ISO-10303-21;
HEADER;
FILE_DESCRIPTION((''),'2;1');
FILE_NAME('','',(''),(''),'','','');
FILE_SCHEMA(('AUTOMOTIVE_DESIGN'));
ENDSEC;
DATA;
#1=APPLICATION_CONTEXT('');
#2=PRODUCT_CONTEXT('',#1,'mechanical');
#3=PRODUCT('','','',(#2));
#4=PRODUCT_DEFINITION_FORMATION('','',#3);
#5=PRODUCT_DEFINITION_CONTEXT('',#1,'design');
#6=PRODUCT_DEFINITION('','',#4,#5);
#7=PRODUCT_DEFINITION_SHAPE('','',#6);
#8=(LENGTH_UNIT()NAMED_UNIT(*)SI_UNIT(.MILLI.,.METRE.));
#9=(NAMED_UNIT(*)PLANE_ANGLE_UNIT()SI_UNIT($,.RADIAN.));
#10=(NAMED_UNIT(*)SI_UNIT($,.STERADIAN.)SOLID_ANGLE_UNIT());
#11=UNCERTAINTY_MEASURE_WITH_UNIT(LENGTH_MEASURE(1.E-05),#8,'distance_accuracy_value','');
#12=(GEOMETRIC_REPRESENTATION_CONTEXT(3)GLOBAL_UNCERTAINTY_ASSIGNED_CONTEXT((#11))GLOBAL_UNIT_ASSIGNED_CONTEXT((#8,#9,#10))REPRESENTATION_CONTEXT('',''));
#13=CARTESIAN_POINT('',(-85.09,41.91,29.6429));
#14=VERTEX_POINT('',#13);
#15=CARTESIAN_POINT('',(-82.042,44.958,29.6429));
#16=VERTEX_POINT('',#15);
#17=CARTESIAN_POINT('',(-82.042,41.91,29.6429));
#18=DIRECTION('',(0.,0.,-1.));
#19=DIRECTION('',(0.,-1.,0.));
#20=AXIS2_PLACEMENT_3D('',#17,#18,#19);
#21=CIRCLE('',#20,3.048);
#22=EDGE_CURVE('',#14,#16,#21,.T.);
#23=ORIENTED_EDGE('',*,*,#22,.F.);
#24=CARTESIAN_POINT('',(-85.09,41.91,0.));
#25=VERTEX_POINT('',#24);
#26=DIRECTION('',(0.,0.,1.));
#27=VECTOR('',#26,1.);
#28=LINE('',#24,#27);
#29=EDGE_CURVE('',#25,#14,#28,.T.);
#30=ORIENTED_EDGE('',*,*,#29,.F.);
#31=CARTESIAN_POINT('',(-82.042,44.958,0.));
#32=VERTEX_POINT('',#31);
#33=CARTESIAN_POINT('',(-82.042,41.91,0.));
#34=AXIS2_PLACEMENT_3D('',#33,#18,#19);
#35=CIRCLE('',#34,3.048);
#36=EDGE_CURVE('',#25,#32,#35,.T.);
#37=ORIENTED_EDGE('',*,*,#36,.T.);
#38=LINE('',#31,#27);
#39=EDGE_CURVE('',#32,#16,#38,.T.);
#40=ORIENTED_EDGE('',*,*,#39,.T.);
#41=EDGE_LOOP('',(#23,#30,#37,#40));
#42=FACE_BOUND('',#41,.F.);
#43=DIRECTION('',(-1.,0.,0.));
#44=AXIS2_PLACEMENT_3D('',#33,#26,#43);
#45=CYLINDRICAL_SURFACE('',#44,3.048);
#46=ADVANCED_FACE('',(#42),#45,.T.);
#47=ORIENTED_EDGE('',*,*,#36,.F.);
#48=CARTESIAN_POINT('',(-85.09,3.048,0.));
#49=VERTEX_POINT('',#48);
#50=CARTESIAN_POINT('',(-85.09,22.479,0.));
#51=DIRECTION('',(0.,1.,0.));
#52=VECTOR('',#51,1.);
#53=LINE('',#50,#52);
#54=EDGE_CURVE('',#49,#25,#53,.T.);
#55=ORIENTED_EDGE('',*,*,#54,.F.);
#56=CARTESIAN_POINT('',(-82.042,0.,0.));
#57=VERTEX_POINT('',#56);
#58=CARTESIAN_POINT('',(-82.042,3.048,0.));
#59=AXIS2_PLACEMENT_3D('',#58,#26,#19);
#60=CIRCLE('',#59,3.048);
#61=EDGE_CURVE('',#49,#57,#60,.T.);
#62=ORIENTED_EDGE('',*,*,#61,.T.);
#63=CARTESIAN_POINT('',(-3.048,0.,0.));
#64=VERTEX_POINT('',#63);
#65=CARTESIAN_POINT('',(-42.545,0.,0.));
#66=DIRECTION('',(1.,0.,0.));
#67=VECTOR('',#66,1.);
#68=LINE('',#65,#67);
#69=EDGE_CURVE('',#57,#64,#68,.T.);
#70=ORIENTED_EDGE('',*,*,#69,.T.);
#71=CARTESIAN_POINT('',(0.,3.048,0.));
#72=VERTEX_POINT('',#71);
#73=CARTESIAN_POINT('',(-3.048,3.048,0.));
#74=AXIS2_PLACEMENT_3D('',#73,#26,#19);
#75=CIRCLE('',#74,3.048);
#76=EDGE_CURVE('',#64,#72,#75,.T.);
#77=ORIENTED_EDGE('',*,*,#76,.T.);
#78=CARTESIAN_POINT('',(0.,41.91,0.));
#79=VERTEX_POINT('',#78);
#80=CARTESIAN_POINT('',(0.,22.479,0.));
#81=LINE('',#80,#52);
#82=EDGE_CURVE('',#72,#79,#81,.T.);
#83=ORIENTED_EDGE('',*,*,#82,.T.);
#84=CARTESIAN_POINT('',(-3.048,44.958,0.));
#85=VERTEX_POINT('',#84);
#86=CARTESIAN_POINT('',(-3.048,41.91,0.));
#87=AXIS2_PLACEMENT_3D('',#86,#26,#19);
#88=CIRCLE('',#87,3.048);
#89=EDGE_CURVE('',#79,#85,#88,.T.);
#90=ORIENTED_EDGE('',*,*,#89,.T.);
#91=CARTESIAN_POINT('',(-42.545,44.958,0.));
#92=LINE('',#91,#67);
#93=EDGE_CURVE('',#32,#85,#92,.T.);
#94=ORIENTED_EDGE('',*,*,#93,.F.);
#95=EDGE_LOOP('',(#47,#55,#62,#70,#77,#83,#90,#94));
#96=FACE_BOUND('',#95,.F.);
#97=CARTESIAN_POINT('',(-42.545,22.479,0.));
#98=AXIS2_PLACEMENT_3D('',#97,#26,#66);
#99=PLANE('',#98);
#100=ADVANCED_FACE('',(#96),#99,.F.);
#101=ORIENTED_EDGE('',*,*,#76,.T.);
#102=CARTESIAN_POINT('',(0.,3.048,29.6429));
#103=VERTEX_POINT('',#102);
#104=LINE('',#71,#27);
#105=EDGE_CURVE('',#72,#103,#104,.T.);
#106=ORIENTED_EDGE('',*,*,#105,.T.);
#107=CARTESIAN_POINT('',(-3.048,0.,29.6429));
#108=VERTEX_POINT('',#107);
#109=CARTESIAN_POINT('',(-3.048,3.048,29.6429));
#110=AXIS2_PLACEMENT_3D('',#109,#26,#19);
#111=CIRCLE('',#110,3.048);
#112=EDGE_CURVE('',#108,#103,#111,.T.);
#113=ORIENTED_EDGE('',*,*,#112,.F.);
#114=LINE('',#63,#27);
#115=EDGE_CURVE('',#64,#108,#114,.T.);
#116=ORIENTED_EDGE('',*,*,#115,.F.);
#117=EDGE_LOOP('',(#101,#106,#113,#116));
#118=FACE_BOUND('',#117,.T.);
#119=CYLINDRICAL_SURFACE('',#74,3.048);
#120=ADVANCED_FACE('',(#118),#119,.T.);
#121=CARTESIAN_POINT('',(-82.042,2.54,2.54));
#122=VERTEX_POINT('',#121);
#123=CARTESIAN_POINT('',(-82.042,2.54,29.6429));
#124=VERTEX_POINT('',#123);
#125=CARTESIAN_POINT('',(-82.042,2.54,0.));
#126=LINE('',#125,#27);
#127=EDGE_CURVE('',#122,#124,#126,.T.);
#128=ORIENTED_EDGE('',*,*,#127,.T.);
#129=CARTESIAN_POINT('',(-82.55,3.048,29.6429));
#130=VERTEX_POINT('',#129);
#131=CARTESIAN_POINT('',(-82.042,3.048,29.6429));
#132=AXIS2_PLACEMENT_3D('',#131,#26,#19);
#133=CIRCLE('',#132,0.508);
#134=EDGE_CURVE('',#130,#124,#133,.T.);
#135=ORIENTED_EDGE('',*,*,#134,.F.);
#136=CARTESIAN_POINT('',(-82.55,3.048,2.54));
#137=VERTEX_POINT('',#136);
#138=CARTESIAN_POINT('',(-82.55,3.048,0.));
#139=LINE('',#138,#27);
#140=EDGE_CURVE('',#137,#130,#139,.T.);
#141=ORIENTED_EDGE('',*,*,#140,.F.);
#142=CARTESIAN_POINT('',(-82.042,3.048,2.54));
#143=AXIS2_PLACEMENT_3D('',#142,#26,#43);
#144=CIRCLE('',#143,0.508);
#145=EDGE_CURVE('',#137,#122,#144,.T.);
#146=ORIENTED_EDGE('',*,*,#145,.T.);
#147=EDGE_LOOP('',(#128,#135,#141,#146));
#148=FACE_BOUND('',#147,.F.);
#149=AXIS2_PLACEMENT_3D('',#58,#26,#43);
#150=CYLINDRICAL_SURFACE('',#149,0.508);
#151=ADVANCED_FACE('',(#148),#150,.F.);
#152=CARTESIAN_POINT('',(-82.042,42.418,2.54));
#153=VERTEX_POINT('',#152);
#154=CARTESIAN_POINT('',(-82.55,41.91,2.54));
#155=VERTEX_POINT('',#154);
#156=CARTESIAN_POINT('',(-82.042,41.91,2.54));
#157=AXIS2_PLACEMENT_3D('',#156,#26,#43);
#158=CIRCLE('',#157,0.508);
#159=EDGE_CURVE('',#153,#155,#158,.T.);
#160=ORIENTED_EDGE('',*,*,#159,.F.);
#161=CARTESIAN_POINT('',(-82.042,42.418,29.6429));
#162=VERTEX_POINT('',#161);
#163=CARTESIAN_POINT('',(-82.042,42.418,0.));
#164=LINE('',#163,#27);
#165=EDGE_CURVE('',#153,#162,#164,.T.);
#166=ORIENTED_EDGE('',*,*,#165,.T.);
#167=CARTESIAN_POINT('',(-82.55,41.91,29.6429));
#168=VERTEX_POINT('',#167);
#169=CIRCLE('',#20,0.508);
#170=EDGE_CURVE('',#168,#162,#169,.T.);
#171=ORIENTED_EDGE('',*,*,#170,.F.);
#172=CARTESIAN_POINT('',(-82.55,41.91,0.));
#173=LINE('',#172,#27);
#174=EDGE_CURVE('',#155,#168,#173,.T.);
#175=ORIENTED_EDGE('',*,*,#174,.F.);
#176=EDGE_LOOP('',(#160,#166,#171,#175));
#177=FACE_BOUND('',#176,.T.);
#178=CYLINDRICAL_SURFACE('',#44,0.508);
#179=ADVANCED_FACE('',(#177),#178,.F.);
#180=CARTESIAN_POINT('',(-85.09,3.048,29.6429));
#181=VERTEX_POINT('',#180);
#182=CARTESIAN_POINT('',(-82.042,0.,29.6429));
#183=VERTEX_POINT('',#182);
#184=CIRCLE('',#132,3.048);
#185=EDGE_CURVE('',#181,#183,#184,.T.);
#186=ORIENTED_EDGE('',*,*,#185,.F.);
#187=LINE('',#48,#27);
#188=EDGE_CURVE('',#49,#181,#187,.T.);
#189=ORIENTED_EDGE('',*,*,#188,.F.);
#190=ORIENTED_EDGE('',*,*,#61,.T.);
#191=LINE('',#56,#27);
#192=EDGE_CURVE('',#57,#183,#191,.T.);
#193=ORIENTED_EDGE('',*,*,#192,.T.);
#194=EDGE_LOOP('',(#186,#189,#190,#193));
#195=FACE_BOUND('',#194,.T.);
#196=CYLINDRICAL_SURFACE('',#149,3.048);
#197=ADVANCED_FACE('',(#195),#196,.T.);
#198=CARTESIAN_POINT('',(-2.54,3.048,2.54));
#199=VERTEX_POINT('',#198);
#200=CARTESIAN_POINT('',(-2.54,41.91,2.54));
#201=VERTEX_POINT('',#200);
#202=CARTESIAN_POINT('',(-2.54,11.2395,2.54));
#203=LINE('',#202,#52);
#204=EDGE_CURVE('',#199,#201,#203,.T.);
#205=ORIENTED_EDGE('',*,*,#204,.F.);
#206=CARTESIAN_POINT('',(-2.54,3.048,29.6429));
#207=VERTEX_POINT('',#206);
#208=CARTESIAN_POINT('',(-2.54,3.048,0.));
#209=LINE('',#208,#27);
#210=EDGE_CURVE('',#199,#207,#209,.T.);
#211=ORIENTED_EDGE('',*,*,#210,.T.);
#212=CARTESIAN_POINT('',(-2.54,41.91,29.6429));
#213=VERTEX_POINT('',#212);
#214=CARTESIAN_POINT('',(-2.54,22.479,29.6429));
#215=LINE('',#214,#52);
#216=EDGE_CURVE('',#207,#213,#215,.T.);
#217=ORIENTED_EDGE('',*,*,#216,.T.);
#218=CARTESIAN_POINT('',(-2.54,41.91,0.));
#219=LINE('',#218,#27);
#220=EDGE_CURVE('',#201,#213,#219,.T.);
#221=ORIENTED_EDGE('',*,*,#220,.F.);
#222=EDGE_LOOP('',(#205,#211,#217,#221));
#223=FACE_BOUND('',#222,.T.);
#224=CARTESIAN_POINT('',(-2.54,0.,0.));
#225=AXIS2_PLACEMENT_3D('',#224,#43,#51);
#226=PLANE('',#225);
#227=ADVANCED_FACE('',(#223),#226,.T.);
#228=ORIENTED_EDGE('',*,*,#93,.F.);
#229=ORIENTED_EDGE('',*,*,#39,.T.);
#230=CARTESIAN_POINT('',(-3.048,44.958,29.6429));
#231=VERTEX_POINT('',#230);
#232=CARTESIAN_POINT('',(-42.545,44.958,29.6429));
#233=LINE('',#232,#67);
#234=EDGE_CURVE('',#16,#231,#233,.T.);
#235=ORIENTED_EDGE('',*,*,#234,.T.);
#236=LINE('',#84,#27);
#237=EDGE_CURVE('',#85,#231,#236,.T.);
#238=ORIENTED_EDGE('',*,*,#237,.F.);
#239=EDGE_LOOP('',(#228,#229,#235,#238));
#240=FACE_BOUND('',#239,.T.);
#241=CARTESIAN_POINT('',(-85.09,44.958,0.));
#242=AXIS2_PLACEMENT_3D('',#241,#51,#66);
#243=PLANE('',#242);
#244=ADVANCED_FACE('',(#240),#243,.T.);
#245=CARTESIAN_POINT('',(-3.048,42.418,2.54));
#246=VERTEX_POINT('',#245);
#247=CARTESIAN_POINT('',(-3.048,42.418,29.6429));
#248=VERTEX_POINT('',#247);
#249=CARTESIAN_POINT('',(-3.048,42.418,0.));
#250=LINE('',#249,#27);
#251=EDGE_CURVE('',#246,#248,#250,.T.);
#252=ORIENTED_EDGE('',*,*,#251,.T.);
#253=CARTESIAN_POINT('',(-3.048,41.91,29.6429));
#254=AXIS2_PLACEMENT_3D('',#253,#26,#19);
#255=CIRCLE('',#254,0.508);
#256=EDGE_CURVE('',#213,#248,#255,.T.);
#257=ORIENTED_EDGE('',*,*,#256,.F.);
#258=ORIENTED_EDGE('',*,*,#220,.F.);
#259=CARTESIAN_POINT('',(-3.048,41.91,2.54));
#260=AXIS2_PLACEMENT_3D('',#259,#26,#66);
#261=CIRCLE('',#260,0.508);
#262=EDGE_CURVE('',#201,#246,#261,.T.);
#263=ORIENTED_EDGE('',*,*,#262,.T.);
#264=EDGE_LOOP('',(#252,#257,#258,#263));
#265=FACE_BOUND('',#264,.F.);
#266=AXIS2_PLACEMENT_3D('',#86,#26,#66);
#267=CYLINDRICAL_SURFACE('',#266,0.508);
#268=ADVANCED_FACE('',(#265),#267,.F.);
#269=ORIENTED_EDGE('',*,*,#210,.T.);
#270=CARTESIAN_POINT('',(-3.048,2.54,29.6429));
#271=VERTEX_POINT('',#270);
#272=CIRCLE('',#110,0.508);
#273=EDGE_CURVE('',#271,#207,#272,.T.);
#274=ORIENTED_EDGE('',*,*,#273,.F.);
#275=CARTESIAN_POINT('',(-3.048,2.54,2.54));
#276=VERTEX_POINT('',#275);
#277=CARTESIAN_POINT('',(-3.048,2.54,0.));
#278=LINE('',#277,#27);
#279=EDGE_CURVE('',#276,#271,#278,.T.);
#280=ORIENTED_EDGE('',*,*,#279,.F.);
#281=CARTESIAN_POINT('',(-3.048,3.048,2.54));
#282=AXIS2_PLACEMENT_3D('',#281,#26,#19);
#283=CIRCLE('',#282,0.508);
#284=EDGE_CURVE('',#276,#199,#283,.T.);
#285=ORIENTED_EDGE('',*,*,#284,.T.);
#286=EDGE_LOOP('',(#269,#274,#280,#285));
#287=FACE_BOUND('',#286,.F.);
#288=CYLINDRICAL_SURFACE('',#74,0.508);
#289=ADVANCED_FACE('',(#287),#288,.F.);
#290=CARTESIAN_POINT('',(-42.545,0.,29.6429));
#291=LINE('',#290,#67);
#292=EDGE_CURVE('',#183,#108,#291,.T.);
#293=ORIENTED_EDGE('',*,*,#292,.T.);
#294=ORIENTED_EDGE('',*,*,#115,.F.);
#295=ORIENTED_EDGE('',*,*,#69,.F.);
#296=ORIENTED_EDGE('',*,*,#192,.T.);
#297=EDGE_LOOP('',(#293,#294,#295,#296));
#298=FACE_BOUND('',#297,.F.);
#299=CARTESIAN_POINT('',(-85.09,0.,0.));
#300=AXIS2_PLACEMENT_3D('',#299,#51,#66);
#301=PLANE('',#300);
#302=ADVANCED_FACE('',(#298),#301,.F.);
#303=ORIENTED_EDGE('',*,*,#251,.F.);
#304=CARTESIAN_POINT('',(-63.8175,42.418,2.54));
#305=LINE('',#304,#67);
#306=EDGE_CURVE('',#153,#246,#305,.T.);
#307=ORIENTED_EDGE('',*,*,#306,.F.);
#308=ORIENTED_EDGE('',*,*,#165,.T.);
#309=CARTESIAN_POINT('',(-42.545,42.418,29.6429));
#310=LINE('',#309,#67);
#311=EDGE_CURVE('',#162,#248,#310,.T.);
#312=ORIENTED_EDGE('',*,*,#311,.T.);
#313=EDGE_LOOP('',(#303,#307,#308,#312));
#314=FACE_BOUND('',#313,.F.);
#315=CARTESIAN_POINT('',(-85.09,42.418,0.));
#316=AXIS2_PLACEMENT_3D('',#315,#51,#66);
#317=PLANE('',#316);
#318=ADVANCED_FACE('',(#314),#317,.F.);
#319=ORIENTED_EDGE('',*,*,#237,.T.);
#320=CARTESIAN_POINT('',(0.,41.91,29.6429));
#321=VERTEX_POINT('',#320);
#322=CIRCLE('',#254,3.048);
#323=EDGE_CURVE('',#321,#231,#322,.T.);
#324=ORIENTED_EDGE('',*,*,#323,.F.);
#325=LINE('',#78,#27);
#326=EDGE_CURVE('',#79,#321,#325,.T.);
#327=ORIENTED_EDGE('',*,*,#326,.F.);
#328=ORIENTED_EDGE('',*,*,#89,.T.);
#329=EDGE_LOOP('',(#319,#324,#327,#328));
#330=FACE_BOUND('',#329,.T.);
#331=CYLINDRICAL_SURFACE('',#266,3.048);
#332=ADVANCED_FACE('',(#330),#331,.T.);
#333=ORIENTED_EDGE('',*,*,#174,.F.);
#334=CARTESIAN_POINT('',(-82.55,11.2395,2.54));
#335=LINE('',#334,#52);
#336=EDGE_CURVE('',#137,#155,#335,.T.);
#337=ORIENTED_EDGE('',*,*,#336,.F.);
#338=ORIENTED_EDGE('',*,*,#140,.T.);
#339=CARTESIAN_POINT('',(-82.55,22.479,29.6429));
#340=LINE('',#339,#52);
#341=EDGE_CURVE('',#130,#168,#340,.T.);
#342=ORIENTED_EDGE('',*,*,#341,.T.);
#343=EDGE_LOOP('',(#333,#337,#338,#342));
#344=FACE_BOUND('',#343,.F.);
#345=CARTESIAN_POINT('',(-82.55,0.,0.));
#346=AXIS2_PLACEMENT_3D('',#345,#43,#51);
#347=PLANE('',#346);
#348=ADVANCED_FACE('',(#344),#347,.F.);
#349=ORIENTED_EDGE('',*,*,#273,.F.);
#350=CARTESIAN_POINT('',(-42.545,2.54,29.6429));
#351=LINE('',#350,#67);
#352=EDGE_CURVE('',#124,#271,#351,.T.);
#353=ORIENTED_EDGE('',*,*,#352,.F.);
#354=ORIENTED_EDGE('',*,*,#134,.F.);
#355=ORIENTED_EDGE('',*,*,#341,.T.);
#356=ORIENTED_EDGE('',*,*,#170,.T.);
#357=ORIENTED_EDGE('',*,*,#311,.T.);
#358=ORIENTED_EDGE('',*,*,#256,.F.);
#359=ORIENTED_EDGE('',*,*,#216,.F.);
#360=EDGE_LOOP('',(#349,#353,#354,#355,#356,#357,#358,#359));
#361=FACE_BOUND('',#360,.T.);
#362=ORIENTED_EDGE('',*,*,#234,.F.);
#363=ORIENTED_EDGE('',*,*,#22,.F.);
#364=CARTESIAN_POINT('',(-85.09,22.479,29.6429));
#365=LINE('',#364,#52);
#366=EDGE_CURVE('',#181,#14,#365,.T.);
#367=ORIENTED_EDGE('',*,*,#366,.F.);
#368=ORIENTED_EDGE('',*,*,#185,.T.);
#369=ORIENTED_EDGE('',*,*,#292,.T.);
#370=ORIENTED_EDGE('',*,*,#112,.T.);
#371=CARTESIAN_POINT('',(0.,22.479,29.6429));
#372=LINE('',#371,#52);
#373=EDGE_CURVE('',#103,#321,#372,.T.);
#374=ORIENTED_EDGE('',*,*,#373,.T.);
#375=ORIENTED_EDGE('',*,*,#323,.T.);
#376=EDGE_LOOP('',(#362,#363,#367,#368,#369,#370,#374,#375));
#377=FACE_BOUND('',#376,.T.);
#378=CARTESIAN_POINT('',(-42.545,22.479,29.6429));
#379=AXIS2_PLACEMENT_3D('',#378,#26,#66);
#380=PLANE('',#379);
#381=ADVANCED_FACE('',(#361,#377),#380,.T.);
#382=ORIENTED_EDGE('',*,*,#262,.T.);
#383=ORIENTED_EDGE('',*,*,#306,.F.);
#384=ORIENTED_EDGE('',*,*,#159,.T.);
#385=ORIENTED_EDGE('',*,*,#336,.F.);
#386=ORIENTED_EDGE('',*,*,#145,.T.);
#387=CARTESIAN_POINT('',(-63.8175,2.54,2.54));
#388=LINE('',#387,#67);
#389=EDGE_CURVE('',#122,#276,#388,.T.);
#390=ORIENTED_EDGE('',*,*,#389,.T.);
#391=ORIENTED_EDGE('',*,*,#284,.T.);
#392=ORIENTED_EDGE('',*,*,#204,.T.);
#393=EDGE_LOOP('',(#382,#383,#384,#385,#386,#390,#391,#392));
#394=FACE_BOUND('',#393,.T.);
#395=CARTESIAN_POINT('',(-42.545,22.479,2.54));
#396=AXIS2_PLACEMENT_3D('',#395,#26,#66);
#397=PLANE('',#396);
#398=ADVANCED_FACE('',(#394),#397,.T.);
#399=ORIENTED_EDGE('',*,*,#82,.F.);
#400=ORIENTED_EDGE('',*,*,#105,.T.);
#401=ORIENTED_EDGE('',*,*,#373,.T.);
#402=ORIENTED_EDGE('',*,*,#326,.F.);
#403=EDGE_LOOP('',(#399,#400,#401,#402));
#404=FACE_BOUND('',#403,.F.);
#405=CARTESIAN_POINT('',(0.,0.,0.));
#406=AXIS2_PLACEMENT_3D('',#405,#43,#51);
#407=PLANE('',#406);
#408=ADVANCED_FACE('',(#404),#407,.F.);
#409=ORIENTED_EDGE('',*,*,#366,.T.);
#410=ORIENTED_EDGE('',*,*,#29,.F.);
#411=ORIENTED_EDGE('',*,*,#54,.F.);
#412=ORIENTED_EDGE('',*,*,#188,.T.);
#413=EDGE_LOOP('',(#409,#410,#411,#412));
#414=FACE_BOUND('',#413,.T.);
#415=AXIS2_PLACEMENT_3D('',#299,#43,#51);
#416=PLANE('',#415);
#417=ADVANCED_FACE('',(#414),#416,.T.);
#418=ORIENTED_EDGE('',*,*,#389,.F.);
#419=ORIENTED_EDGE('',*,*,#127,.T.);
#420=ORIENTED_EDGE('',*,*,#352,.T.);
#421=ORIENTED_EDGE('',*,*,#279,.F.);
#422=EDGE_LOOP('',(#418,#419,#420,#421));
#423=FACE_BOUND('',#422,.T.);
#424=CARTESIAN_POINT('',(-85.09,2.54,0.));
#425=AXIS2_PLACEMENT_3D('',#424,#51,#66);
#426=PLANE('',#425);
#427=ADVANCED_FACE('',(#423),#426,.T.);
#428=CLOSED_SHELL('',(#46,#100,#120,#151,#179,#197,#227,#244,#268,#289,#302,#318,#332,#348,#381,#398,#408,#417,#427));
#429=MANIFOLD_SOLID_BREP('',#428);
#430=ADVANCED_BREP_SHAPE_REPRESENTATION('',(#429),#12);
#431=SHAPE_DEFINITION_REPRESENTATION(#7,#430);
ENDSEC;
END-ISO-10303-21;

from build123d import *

# Parameters (mm, degrees)
F0_W     = 85.09
F0_H     = 44.958
F1_DEPTH = 29.6429
F2_R     = 3.048
F3_T     = -2.54


with BuildPart() as f1:
    # F0 (on Top) → F1 (new body)
    with BuildSketch(Plane.XY):
        with Locations((-42.545, 22.479)):
            Rectangle(F0_W, F0_H)
    extrude(amount=F1_DEPTH)

    # F2
    f2_edges = [f1.edges().sort_by_distance(p)[0] for p in [
        (-85.09, 44.958, 14.82145),
        (-85.09, 0, 14.82145),
        (0, 0, 14.82145),
        (0, 44.958, 14.82145),
    ]]
    fillet(f2_edges, radius=F2_R)

    # F3
    f3_openings = [f1.faces().sort_by_distance(p)[0] for p in [
        (-42.545, 22.479, 29.6429),
    ]]
    offset(amount=F3_T, openings=f3_openings)


solid = f1.part
